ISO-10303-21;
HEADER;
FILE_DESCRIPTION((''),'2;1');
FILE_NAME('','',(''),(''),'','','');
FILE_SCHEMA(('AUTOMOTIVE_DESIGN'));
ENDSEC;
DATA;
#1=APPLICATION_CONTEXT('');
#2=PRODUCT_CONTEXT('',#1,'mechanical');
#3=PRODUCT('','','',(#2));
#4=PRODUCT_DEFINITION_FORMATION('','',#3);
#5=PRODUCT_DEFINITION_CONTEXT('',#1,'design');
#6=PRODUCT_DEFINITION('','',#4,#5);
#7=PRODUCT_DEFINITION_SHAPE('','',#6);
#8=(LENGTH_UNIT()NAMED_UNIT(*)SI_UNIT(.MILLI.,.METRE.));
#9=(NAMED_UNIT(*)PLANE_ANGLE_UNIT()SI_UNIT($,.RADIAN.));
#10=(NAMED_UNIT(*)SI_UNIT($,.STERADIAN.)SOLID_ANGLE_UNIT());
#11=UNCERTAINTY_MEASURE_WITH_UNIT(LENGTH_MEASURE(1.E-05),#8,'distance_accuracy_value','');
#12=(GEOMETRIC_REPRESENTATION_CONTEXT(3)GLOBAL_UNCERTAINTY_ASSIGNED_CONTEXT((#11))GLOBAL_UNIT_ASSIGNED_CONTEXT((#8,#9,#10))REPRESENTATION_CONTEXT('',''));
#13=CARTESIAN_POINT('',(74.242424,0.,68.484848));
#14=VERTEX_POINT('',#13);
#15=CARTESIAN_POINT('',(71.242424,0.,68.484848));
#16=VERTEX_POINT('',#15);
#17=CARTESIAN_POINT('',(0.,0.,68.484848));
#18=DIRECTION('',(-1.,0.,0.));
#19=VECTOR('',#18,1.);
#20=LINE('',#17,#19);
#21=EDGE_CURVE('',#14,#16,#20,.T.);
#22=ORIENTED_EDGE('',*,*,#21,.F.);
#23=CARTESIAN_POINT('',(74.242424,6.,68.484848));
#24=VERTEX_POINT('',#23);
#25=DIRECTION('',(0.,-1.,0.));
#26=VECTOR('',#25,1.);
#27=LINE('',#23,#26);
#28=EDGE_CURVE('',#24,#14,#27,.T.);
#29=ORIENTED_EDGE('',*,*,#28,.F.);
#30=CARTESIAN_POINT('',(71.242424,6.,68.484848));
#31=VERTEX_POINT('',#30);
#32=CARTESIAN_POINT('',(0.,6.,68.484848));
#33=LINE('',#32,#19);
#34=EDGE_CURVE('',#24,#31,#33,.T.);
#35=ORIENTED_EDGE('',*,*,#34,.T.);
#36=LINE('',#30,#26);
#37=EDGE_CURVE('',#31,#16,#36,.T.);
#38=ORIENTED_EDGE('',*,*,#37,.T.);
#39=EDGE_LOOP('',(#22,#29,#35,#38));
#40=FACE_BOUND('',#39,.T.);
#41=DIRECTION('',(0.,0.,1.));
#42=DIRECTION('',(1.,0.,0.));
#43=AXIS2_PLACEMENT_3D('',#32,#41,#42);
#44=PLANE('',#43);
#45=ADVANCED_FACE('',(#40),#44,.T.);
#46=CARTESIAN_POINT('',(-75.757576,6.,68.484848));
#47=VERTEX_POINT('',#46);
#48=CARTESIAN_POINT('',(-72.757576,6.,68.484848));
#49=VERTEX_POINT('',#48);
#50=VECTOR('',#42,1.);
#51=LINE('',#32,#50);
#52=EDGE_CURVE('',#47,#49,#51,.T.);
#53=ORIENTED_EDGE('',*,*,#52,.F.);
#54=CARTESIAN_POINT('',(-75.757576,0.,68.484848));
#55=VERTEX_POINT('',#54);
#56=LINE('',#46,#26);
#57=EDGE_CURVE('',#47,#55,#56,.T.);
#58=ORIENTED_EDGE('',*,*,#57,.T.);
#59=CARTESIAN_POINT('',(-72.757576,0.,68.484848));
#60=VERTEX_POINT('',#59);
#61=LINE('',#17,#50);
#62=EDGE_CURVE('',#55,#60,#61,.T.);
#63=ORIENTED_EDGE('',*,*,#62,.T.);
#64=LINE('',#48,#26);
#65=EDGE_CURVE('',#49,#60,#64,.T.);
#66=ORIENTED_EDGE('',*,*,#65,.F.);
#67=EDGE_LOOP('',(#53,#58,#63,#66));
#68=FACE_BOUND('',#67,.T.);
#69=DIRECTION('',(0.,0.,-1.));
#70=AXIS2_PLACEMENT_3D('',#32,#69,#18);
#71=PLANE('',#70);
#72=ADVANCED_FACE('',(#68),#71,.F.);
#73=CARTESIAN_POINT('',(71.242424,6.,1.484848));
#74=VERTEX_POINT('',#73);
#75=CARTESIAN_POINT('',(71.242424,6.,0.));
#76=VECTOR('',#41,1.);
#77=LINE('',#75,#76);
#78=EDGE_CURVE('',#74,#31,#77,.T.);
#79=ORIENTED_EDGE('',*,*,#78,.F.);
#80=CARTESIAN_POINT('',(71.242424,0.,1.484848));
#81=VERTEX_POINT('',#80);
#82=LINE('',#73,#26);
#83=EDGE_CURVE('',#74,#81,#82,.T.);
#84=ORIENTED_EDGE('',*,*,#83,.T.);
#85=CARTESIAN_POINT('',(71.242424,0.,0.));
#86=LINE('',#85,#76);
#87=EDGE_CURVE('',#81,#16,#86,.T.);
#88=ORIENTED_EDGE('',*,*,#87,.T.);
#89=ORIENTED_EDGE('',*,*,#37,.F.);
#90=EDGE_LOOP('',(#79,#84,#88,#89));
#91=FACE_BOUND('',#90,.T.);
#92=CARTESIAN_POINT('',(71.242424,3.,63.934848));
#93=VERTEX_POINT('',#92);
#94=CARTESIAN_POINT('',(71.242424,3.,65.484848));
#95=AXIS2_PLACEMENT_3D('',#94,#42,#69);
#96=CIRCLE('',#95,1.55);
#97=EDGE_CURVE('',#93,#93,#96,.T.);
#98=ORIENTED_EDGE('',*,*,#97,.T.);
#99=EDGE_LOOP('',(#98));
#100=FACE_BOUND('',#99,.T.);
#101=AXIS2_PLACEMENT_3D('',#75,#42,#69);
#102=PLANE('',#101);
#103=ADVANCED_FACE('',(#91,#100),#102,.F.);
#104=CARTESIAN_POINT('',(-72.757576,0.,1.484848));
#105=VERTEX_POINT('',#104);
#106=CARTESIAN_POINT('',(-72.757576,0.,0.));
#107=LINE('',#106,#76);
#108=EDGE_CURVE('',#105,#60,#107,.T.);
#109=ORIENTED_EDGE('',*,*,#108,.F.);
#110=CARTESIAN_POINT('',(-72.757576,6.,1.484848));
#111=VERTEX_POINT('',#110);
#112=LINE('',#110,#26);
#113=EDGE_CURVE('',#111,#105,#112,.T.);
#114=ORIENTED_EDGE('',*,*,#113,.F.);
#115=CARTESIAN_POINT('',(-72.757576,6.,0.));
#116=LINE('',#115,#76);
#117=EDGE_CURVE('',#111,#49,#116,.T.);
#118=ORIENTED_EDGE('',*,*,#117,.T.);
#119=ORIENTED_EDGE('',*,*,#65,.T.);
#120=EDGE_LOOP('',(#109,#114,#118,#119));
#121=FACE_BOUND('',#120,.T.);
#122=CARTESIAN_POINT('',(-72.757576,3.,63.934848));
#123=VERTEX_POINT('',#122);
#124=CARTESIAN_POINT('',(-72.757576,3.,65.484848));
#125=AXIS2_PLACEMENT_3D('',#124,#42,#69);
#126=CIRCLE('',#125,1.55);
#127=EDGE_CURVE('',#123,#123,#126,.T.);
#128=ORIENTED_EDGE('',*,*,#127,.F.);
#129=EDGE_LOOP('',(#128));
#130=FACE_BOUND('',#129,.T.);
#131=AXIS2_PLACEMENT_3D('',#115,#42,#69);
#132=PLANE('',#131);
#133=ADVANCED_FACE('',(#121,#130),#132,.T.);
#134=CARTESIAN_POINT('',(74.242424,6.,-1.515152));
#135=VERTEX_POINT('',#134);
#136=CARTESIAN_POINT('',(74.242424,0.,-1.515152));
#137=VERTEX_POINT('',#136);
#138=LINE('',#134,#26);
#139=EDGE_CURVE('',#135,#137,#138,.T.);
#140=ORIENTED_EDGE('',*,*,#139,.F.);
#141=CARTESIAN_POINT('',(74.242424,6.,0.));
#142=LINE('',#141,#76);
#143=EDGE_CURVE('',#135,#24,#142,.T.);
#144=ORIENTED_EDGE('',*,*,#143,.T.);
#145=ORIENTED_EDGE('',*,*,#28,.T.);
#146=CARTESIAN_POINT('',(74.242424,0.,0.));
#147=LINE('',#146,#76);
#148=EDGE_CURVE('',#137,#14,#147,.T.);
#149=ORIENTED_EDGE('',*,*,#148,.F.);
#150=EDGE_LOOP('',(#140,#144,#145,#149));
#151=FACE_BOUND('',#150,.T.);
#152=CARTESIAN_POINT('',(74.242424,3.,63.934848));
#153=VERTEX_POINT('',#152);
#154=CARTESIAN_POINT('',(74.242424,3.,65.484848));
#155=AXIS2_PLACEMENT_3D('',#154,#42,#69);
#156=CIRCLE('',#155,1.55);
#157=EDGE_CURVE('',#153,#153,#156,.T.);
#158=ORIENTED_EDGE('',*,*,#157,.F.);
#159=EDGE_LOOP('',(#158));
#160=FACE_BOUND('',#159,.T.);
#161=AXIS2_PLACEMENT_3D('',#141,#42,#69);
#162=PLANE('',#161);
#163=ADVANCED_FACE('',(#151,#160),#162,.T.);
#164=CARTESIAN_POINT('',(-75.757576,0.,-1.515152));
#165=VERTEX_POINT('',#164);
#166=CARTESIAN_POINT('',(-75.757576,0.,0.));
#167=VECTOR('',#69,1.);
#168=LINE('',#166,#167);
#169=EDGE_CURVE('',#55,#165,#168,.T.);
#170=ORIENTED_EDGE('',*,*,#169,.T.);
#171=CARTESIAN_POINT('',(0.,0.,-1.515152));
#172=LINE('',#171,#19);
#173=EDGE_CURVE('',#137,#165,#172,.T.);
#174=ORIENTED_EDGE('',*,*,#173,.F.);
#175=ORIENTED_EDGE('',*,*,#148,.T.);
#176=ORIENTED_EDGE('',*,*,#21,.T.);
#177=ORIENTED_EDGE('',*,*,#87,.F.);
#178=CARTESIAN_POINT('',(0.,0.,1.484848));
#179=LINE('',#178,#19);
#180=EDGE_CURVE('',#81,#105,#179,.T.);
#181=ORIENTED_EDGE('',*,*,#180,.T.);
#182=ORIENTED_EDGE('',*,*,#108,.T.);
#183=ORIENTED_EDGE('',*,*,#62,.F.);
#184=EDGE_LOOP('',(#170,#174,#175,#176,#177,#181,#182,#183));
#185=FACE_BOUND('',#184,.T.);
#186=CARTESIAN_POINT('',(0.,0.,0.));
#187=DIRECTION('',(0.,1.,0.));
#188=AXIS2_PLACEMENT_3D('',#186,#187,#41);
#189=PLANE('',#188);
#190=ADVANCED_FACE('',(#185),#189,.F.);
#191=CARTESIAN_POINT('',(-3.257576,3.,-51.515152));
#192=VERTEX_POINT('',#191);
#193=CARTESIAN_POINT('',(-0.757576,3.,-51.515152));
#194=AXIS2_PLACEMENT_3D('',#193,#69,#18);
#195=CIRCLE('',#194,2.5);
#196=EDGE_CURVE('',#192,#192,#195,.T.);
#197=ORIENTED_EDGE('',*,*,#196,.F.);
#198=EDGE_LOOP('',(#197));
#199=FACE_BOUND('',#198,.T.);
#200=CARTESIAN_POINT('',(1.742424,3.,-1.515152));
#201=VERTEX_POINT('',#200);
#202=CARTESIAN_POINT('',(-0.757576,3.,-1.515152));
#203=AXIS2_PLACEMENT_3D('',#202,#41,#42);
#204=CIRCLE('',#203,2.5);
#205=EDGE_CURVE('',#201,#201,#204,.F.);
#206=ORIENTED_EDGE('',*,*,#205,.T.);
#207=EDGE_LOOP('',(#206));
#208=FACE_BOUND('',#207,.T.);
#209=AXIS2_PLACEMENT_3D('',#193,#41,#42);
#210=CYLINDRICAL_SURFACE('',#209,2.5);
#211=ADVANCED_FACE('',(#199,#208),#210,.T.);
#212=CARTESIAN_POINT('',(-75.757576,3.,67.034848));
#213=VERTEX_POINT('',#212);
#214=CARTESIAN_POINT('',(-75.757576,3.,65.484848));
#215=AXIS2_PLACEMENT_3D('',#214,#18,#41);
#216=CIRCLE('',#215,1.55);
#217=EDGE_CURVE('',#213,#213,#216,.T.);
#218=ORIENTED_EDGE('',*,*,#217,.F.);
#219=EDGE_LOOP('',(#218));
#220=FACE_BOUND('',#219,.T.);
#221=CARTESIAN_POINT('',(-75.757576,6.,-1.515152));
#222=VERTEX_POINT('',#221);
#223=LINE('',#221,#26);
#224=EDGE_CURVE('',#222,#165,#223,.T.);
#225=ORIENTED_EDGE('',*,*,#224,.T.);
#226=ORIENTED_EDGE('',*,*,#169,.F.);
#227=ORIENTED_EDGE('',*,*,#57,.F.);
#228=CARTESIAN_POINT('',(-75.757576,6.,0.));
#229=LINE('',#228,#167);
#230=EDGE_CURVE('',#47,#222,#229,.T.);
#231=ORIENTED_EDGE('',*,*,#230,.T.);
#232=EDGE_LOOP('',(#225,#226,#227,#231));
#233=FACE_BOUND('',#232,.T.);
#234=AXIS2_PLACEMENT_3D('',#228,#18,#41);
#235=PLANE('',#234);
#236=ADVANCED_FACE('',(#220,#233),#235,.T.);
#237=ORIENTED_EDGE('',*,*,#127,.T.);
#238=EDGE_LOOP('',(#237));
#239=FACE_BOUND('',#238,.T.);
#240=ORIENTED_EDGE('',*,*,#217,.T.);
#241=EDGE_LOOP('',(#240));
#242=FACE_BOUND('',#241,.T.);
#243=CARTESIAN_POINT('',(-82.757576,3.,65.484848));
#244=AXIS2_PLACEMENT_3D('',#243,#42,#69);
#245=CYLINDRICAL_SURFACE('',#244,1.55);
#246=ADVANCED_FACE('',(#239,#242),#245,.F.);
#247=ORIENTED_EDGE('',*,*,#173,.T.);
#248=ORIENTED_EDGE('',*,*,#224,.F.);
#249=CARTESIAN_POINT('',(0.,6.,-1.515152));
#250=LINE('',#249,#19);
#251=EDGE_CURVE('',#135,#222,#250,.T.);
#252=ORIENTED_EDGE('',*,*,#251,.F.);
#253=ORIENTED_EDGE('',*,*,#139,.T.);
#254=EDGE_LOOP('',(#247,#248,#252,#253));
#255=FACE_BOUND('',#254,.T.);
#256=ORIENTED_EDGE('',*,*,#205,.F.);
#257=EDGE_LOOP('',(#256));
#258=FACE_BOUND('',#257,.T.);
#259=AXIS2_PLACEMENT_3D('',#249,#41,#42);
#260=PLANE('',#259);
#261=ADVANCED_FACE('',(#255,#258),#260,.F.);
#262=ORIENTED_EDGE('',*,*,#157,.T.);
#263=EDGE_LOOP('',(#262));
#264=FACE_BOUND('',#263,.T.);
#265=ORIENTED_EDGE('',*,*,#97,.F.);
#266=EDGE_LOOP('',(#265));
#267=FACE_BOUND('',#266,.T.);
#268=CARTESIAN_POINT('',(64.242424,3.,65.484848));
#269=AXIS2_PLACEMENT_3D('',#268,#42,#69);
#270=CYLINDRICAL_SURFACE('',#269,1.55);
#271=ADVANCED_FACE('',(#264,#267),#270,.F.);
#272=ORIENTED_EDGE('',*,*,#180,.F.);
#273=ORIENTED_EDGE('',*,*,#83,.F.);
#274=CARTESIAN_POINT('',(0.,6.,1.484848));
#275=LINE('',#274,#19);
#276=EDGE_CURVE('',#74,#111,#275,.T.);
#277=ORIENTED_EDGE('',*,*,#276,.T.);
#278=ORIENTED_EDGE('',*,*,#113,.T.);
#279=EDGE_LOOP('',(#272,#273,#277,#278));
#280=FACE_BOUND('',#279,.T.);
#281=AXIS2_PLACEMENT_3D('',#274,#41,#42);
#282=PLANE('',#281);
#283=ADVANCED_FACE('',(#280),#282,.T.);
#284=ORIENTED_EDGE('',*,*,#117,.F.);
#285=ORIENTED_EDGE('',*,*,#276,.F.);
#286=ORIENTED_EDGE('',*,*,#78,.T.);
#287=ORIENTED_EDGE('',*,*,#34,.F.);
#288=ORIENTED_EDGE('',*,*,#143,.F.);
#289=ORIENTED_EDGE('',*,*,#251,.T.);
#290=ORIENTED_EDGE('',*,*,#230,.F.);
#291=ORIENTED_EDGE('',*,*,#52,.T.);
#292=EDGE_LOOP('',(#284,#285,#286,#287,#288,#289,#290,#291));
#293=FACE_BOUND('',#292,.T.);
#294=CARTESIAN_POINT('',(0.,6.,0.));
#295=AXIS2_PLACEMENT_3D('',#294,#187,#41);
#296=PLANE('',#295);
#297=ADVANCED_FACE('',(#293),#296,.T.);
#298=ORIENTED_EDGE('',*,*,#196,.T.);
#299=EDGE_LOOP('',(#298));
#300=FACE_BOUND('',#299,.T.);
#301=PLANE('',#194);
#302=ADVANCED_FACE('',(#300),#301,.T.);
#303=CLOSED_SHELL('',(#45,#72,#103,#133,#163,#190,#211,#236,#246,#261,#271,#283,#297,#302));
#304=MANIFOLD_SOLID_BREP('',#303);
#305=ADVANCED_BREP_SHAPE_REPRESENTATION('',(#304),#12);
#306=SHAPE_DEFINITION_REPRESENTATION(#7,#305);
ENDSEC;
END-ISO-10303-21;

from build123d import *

# Parameters (mm, degrees)
EXTRUDE_2_DEPTH     = 6
SKETCH_2_R          = 1.55
CUT_EXTRUDE_1_DEPTH = 10
SKETCH_3_R          = 1.55
CUT_EXTRUDE_2_DEPTH = 10
SKETCH_5_R          = 2.5
EXTRUDE_3_DEPTH     = 50


with BuildPart() as part:
    # 草图1 → 凸台-拉伸2 (new body)
    with BuildSketch(Plane(origin=(0, 0, 0), x_dir=(1, 0, 0), z_dir=(0, 1, 0))):
        Polygon((-72.757575758, -68.484848485), (-72.757575758, -1.484848485), (71.242424242, -1.484848485), (71.242424242, -68.484848485), (74.242424242, -68.484848485), (74.242424242, -1.484848485), (74.242424242, 1.515151515), (71.242424242, 1.515151515), (-72.757575758, 1.515151515), (-75.757575758, 1.515151515), (-75.757575758, -1.484848485), (-75.757575758, -68.484848485), align=None)
    extrude(amount=EXTRUDE_2_DEPTH)

    # 草图2 → 切除-拉伸1 (cut)
    with BuildSketch(Plane(origin=(-72.757575758, 0, 0), x_dir=(0, 0, -1), z_dir=(1, 0, 0))):
        with Locations((-65.484848485, 3)):
            Circle(SKETCH_2_R)
    extrude(amount=-CUT_EXTRUDE_1_DEPTH, mode=Mode.SUBTRACT)

    # 草图3 → 切除-拉伸2 (cut)
    with BuildSketch(Plane(origin=(74.242424242, 0, 0), x_dir=(0, 0, -1), z_dir=(1, 0, 0))):
        with Locations((-65.484848485, 3)):
            Circle(SKETCH_3_R)
    extrude(amount=-CUT_EXTRUDE_2_DEPTH, mode=Mode.SUBTRACT)

    # 草图5 → 凸台-拉伸3 (add)
    with BuildSketch(Plane(origin=(0, 0, -1.515151515), x_dir=(-1, 0, 0), z_dir=(0, 0, -1))):
        with Locations(Location((0.757575758, 3, 0), (0, 0, 180))):
            Circle(SKETCH_5_R)
    extrude(amount=EXTRUDE_3_DEPTH)


solid = part.part
